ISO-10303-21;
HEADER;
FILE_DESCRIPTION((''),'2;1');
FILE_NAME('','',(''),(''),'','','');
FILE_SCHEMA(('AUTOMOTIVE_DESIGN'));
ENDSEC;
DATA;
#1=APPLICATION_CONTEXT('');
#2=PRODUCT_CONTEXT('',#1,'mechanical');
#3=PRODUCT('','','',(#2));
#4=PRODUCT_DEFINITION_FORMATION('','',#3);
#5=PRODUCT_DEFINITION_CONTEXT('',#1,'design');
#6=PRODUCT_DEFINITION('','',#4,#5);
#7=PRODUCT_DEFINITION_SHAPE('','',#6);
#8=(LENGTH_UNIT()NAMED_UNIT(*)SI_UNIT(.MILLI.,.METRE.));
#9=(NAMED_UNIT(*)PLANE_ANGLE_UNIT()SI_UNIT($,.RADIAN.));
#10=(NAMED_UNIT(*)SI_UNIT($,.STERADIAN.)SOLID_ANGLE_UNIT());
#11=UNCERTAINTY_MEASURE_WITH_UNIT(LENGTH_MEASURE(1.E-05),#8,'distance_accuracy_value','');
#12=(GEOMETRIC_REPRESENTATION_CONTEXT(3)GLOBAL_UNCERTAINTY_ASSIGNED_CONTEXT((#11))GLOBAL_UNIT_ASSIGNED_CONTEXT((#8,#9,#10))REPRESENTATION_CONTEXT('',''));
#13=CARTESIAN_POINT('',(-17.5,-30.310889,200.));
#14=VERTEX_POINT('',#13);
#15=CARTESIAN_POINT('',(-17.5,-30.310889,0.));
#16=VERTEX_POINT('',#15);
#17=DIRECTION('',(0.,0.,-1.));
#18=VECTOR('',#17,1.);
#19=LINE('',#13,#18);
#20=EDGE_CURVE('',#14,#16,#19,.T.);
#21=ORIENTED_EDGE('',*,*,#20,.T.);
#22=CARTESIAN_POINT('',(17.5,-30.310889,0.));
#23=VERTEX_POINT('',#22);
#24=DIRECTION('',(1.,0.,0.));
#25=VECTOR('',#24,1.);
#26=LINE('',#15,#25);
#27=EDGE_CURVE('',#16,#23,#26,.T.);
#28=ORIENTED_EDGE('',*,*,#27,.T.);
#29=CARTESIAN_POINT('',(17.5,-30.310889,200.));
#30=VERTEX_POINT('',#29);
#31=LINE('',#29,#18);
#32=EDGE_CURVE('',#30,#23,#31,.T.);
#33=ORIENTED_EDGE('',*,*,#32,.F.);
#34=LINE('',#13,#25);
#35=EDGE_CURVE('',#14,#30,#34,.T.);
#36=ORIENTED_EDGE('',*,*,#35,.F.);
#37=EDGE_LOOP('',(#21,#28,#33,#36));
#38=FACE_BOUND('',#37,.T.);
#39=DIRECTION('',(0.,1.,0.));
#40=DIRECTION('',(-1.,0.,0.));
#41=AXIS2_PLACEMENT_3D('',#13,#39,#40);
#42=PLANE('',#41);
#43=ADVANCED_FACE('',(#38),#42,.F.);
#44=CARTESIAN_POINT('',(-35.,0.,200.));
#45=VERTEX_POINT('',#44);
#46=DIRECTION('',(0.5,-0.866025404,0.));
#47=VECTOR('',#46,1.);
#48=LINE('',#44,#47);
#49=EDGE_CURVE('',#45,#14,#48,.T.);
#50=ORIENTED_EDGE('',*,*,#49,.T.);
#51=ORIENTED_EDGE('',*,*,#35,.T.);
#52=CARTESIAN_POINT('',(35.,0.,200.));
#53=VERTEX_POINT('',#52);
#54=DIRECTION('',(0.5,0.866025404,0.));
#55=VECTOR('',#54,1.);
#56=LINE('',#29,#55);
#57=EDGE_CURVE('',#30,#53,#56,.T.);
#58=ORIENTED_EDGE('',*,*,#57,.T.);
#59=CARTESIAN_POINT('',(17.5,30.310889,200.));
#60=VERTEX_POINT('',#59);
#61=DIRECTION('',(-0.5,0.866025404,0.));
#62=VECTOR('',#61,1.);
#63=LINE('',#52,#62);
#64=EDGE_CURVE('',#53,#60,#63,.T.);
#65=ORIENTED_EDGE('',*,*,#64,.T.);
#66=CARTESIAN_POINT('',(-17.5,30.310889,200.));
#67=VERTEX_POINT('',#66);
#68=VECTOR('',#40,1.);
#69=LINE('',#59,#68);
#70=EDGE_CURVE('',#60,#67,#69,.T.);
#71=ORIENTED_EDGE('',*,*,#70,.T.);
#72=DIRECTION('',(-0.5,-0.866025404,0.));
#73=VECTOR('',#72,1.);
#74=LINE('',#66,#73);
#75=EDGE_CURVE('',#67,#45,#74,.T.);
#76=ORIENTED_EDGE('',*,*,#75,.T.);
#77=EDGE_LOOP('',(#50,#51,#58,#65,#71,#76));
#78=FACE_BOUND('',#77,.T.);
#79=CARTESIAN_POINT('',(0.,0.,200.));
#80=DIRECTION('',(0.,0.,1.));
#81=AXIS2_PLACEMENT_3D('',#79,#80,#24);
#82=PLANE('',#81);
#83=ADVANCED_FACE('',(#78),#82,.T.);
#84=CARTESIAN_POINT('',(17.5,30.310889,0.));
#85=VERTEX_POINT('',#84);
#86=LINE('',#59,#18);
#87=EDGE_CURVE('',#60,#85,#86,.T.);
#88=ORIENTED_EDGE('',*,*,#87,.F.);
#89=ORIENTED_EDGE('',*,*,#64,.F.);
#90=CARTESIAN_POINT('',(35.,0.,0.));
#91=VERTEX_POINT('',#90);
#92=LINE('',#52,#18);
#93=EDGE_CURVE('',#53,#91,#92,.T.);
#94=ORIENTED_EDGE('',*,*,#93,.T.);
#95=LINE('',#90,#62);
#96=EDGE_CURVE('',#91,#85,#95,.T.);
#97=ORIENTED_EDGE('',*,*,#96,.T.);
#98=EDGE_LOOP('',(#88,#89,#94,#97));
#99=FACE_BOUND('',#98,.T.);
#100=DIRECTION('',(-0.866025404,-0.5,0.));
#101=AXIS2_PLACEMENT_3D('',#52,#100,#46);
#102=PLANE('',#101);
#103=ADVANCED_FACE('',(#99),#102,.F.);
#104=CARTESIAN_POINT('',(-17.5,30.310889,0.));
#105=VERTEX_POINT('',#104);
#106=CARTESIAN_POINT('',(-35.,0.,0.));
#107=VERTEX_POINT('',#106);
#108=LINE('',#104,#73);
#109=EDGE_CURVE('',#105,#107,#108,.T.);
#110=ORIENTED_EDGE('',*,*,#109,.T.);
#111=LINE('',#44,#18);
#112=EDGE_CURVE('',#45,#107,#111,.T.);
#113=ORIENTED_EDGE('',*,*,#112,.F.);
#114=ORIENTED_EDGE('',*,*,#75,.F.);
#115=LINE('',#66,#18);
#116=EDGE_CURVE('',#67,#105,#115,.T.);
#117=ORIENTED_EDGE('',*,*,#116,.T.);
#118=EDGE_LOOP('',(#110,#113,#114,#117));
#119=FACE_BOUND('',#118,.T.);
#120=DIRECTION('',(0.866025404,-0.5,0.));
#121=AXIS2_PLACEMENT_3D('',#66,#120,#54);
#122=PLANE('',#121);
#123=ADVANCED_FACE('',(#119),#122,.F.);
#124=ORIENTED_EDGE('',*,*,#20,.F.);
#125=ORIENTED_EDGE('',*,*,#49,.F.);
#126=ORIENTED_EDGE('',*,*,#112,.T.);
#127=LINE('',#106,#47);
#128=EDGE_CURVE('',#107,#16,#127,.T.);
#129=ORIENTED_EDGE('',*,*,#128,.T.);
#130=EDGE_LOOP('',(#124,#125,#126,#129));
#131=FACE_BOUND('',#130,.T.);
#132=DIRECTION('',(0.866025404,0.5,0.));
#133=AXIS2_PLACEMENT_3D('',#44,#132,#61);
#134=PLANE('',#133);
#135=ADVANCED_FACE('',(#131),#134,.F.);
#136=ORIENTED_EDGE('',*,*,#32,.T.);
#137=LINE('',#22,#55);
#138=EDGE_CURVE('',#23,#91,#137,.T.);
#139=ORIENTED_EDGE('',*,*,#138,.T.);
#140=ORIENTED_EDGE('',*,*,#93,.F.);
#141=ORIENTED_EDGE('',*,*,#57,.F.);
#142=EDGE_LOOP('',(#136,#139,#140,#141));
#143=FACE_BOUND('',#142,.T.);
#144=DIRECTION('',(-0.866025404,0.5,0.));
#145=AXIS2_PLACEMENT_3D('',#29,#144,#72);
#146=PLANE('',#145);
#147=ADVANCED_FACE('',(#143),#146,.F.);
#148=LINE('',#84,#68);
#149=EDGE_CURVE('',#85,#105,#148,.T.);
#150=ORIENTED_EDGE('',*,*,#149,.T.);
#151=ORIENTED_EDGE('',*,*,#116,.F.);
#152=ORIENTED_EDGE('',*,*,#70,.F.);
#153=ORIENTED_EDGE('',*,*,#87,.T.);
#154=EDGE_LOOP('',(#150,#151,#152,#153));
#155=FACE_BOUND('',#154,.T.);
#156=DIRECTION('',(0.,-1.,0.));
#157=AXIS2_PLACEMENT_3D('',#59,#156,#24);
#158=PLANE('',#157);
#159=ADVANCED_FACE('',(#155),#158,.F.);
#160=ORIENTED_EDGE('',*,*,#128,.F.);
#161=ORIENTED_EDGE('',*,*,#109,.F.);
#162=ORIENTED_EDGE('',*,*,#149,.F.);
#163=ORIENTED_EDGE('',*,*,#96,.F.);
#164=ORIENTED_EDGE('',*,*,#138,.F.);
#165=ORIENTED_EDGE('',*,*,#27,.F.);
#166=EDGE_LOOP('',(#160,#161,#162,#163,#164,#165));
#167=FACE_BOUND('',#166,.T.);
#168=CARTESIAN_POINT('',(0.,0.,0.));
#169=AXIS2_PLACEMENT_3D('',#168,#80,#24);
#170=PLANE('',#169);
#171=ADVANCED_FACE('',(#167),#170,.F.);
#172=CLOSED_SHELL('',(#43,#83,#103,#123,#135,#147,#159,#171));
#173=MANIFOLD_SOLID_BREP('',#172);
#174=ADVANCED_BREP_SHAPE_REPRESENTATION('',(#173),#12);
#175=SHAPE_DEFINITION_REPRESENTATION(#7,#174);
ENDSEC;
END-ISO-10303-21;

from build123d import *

# Parameters (mm, degrees)
EXTRUDE_1_DEPTH = 200


with BuildPart() as part:
    # 스케치1 → 보스-돌출1 (new body)
    with BuildSketch(Plane.XY):
        Polygon((35, 0), (17.5, 30.310889132), (-17.5, 30.310889132), (-35, 0), (-17.5, -30.310889132), (17.5, -30.310889132), align=None)
    extrude(amount=EXTRUDE_1_DEPTH)


solid = part.part
